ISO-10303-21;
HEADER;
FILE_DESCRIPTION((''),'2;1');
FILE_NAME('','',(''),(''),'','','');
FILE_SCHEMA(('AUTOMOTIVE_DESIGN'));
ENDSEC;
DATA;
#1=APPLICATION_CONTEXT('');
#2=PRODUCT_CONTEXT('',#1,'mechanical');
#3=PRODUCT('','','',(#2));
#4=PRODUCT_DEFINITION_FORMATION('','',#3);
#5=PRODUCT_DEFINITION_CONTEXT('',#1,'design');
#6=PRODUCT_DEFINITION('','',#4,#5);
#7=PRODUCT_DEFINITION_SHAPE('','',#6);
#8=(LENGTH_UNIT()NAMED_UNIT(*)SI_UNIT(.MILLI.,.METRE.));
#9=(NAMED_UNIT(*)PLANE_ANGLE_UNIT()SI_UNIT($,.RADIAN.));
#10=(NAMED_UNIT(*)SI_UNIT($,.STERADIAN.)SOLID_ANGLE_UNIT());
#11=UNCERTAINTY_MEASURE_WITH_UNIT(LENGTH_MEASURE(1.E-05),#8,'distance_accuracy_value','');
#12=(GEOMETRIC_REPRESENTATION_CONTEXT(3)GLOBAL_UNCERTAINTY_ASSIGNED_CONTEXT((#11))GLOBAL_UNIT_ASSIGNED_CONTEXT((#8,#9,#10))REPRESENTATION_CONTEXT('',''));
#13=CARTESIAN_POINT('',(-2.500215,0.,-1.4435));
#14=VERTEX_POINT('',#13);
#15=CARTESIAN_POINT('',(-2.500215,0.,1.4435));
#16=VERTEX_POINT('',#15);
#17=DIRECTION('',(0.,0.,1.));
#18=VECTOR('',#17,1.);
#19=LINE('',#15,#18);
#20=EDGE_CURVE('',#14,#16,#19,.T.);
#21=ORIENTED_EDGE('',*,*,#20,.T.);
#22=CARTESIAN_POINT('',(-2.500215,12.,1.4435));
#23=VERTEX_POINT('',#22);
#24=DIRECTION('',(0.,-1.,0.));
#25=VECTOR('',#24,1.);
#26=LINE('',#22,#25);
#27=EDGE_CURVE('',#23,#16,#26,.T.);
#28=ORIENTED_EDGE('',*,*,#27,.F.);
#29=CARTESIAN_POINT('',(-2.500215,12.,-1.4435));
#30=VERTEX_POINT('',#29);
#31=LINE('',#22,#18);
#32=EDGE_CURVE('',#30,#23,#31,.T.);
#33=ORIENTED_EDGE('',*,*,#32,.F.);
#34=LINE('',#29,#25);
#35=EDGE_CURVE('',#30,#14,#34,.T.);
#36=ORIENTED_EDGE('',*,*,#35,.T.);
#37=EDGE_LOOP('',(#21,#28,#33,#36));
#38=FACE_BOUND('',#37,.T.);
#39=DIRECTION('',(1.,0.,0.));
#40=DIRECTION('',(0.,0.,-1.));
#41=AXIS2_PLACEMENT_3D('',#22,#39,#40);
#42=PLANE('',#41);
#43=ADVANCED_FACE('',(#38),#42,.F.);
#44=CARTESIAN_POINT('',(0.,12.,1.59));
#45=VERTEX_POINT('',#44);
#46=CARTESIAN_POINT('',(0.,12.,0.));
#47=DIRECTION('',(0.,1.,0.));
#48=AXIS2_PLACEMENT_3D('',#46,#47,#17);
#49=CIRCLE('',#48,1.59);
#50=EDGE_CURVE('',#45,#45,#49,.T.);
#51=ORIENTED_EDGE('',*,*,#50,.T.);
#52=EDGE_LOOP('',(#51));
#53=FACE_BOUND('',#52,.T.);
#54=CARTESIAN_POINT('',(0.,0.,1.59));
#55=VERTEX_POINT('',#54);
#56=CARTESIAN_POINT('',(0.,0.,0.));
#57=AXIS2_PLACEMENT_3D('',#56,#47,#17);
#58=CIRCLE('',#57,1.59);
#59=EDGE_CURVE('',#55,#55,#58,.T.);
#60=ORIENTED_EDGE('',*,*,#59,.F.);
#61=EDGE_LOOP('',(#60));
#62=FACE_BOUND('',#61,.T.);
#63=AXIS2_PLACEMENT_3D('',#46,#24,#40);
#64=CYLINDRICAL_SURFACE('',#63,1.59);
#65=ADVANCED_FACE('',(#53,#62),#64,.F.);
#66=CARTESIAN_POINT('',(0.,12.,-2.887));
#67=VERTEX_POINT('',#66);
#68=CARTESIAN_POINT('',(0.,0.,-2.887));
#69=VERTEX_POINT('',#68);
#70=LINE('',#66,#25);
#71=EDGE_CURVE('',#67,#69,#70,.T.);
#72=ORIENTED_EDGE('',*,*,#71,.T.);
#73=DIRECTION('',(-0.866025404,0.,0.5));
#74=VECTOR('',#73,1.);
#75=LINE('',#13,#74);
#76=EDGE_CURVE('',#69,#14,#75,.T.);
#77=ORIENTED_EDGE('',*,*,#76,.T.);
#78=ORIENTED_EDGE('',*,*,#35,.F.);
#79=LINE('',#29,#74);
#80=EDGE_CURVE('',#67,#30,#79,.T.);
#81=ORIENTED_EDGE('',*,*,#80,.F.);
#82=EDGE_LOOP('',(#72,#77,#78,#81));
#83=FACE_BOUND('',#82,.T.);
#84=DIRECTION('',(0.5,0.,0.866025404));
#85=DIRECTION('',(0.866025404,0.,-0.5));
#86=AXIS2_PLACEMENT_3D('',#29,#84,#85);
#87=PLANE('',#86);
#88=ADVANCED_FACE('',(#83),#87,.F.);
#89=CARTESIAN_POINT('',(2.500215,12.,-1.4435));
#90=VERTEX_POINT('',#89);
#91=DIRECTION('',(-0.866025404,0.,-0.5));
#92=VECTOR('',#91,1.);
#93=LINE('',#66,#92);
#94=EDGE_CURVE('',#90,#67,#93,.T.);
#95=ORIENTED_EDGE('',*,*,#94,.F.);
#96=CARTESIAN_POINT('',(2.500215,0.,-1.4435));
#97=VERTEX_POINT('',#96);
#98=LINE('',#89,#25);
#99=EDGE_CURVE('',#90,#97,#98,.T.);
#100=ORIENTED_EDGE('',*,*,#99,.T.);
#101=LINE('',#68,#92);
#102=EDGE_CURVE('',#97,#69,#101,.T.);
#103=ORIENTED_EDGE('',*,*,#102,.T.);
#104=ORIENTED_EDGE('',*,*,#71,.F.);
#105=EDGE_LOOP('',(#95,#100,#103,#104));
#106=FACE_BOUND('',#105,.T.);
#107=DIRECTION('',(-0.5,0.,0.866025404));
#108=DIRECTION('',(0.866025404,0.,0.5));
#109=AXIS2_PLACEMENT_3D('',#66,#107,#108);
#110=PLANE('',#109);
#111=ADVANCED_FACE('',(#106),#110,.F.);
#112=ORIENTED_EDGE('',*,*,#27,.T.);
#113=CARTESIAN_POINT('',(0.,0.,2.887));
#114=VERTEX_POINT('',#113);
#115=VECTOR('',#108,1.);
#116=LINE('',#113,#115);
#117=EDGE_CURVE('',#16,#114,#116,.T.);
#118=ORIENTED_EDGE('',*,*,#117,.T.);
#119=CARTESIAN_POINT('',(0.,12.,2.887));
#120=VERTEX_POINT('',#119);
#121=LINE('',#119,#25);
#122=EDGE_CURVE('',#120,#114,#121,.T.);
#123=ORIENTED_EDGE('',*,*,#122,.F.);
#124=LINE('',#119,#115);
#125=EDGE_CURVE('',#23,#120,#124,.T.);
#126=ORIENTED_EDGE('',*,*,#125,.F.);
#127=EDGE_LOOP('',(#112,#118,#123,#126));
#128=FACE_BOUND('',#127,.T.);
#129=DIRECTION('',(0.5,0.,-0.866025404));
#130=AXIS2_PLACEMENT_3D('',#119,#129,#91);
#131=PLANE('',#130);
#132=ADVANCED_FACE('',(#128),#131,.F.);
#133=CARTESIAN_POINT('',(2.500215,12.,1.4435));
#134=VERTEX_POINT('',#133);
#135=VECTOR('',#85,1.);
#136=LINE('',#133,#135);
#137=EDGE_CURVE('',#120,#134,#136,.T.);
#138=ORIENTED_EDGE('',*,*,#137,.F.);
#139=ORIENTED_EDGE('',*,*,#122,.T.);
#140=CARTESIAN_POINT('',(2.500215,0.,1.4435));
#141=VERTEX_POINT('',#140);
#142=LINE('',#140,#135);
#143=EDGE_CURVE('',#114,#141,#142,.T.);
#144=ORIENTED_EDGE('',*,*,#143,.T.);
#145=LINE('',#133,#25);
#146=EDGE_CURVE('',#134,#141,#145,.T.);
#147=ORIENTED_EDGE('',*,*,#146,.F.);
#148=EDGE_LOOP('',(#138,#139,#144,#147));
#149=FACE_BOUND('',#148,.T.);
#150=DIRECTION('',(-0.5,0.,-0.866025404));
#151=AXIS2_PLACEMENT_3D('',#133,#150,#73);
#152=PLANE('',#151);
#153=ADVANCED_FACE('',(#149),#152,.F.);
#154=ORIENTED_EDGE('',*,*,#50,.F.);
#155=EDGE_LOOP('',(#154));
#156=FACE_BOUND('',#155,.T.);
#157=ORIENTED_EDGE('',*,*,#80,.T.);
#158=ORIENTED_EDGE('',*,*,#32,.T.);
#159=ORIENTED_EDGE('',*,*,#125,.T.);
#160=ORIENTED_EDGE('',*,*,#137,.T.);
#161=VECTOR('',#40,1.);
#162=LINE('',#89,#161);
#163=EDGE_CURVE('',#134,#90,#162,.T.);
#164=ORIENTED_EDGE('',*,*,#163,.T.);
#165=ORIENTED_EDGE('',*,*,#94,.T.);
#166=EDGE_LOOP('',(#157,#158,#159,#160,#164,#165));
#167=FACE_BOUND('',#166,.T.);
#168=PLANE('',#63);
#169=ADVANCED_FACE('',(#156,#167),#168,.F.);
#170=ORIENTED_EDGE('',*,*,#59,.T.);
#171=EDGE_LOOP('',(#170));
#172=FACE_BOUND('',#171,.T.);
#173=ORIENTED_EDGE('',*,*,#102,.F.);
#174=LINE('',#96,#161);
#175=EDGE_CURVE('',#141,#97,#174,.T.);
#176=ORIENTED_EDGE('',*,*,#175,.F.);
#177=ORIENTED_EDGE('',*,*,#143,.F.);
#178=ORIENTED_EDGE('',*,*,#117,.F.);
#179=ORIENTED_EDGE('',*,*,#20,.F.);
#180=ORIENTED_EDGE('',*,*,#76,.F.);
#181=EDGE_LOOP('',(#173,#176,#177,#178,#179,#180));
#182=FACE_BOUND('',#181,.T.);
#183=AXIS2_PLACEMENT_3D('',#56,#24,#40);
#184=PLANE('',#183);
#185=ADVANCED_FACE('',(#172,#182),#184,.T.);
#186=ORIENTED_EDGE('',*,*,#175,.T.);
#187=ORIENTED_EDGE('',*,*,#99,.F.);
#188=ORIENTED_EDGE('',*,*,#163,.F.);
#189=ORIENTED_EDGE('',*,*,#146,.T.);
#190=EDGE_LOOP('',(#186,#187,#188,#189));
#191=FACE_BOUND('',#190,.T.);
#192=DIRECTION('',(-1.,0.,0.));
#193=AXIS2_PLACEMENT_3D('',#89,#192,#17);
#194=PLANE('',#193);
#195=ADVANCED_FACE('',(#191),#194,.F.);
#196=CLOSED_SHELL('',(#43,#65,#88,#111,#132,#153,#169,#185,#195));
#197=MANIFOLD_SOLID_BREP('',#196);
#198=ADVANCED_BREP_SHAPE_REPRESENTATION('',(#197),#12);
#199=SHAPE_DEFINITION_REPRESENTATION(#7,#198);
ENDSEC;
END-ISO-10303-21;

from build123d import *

# Parameters (mm, degrees)
SKETCH1_R           = 1.59
BOSS_EXTRUDE1_DEPTH = 12


with BuildPart() as part:
    # Sketch1 → Boss-Extrude1 (new body)
    with BuildSketch(Plane(origin=(0, 0, 0), x_dir=(1, 0, 0), z_dir=(0, 1, 0))):
        Polygon((0, 2.887), (2.500215341, 1.4435), (2.500215341, -1.4435), (0, -2.887), (-2.500215341, -1.4435), (-2.500215341, 1.4435), align=None)
        with Locations(Location((0, 0, 0), (0, 0, 270))):
            Circle(SKETCH1_R, mode=Mode.SUBTRACT)
    extrude(amount=BOSS_EXTRUDE1_DEPTH)


solid = part.part
